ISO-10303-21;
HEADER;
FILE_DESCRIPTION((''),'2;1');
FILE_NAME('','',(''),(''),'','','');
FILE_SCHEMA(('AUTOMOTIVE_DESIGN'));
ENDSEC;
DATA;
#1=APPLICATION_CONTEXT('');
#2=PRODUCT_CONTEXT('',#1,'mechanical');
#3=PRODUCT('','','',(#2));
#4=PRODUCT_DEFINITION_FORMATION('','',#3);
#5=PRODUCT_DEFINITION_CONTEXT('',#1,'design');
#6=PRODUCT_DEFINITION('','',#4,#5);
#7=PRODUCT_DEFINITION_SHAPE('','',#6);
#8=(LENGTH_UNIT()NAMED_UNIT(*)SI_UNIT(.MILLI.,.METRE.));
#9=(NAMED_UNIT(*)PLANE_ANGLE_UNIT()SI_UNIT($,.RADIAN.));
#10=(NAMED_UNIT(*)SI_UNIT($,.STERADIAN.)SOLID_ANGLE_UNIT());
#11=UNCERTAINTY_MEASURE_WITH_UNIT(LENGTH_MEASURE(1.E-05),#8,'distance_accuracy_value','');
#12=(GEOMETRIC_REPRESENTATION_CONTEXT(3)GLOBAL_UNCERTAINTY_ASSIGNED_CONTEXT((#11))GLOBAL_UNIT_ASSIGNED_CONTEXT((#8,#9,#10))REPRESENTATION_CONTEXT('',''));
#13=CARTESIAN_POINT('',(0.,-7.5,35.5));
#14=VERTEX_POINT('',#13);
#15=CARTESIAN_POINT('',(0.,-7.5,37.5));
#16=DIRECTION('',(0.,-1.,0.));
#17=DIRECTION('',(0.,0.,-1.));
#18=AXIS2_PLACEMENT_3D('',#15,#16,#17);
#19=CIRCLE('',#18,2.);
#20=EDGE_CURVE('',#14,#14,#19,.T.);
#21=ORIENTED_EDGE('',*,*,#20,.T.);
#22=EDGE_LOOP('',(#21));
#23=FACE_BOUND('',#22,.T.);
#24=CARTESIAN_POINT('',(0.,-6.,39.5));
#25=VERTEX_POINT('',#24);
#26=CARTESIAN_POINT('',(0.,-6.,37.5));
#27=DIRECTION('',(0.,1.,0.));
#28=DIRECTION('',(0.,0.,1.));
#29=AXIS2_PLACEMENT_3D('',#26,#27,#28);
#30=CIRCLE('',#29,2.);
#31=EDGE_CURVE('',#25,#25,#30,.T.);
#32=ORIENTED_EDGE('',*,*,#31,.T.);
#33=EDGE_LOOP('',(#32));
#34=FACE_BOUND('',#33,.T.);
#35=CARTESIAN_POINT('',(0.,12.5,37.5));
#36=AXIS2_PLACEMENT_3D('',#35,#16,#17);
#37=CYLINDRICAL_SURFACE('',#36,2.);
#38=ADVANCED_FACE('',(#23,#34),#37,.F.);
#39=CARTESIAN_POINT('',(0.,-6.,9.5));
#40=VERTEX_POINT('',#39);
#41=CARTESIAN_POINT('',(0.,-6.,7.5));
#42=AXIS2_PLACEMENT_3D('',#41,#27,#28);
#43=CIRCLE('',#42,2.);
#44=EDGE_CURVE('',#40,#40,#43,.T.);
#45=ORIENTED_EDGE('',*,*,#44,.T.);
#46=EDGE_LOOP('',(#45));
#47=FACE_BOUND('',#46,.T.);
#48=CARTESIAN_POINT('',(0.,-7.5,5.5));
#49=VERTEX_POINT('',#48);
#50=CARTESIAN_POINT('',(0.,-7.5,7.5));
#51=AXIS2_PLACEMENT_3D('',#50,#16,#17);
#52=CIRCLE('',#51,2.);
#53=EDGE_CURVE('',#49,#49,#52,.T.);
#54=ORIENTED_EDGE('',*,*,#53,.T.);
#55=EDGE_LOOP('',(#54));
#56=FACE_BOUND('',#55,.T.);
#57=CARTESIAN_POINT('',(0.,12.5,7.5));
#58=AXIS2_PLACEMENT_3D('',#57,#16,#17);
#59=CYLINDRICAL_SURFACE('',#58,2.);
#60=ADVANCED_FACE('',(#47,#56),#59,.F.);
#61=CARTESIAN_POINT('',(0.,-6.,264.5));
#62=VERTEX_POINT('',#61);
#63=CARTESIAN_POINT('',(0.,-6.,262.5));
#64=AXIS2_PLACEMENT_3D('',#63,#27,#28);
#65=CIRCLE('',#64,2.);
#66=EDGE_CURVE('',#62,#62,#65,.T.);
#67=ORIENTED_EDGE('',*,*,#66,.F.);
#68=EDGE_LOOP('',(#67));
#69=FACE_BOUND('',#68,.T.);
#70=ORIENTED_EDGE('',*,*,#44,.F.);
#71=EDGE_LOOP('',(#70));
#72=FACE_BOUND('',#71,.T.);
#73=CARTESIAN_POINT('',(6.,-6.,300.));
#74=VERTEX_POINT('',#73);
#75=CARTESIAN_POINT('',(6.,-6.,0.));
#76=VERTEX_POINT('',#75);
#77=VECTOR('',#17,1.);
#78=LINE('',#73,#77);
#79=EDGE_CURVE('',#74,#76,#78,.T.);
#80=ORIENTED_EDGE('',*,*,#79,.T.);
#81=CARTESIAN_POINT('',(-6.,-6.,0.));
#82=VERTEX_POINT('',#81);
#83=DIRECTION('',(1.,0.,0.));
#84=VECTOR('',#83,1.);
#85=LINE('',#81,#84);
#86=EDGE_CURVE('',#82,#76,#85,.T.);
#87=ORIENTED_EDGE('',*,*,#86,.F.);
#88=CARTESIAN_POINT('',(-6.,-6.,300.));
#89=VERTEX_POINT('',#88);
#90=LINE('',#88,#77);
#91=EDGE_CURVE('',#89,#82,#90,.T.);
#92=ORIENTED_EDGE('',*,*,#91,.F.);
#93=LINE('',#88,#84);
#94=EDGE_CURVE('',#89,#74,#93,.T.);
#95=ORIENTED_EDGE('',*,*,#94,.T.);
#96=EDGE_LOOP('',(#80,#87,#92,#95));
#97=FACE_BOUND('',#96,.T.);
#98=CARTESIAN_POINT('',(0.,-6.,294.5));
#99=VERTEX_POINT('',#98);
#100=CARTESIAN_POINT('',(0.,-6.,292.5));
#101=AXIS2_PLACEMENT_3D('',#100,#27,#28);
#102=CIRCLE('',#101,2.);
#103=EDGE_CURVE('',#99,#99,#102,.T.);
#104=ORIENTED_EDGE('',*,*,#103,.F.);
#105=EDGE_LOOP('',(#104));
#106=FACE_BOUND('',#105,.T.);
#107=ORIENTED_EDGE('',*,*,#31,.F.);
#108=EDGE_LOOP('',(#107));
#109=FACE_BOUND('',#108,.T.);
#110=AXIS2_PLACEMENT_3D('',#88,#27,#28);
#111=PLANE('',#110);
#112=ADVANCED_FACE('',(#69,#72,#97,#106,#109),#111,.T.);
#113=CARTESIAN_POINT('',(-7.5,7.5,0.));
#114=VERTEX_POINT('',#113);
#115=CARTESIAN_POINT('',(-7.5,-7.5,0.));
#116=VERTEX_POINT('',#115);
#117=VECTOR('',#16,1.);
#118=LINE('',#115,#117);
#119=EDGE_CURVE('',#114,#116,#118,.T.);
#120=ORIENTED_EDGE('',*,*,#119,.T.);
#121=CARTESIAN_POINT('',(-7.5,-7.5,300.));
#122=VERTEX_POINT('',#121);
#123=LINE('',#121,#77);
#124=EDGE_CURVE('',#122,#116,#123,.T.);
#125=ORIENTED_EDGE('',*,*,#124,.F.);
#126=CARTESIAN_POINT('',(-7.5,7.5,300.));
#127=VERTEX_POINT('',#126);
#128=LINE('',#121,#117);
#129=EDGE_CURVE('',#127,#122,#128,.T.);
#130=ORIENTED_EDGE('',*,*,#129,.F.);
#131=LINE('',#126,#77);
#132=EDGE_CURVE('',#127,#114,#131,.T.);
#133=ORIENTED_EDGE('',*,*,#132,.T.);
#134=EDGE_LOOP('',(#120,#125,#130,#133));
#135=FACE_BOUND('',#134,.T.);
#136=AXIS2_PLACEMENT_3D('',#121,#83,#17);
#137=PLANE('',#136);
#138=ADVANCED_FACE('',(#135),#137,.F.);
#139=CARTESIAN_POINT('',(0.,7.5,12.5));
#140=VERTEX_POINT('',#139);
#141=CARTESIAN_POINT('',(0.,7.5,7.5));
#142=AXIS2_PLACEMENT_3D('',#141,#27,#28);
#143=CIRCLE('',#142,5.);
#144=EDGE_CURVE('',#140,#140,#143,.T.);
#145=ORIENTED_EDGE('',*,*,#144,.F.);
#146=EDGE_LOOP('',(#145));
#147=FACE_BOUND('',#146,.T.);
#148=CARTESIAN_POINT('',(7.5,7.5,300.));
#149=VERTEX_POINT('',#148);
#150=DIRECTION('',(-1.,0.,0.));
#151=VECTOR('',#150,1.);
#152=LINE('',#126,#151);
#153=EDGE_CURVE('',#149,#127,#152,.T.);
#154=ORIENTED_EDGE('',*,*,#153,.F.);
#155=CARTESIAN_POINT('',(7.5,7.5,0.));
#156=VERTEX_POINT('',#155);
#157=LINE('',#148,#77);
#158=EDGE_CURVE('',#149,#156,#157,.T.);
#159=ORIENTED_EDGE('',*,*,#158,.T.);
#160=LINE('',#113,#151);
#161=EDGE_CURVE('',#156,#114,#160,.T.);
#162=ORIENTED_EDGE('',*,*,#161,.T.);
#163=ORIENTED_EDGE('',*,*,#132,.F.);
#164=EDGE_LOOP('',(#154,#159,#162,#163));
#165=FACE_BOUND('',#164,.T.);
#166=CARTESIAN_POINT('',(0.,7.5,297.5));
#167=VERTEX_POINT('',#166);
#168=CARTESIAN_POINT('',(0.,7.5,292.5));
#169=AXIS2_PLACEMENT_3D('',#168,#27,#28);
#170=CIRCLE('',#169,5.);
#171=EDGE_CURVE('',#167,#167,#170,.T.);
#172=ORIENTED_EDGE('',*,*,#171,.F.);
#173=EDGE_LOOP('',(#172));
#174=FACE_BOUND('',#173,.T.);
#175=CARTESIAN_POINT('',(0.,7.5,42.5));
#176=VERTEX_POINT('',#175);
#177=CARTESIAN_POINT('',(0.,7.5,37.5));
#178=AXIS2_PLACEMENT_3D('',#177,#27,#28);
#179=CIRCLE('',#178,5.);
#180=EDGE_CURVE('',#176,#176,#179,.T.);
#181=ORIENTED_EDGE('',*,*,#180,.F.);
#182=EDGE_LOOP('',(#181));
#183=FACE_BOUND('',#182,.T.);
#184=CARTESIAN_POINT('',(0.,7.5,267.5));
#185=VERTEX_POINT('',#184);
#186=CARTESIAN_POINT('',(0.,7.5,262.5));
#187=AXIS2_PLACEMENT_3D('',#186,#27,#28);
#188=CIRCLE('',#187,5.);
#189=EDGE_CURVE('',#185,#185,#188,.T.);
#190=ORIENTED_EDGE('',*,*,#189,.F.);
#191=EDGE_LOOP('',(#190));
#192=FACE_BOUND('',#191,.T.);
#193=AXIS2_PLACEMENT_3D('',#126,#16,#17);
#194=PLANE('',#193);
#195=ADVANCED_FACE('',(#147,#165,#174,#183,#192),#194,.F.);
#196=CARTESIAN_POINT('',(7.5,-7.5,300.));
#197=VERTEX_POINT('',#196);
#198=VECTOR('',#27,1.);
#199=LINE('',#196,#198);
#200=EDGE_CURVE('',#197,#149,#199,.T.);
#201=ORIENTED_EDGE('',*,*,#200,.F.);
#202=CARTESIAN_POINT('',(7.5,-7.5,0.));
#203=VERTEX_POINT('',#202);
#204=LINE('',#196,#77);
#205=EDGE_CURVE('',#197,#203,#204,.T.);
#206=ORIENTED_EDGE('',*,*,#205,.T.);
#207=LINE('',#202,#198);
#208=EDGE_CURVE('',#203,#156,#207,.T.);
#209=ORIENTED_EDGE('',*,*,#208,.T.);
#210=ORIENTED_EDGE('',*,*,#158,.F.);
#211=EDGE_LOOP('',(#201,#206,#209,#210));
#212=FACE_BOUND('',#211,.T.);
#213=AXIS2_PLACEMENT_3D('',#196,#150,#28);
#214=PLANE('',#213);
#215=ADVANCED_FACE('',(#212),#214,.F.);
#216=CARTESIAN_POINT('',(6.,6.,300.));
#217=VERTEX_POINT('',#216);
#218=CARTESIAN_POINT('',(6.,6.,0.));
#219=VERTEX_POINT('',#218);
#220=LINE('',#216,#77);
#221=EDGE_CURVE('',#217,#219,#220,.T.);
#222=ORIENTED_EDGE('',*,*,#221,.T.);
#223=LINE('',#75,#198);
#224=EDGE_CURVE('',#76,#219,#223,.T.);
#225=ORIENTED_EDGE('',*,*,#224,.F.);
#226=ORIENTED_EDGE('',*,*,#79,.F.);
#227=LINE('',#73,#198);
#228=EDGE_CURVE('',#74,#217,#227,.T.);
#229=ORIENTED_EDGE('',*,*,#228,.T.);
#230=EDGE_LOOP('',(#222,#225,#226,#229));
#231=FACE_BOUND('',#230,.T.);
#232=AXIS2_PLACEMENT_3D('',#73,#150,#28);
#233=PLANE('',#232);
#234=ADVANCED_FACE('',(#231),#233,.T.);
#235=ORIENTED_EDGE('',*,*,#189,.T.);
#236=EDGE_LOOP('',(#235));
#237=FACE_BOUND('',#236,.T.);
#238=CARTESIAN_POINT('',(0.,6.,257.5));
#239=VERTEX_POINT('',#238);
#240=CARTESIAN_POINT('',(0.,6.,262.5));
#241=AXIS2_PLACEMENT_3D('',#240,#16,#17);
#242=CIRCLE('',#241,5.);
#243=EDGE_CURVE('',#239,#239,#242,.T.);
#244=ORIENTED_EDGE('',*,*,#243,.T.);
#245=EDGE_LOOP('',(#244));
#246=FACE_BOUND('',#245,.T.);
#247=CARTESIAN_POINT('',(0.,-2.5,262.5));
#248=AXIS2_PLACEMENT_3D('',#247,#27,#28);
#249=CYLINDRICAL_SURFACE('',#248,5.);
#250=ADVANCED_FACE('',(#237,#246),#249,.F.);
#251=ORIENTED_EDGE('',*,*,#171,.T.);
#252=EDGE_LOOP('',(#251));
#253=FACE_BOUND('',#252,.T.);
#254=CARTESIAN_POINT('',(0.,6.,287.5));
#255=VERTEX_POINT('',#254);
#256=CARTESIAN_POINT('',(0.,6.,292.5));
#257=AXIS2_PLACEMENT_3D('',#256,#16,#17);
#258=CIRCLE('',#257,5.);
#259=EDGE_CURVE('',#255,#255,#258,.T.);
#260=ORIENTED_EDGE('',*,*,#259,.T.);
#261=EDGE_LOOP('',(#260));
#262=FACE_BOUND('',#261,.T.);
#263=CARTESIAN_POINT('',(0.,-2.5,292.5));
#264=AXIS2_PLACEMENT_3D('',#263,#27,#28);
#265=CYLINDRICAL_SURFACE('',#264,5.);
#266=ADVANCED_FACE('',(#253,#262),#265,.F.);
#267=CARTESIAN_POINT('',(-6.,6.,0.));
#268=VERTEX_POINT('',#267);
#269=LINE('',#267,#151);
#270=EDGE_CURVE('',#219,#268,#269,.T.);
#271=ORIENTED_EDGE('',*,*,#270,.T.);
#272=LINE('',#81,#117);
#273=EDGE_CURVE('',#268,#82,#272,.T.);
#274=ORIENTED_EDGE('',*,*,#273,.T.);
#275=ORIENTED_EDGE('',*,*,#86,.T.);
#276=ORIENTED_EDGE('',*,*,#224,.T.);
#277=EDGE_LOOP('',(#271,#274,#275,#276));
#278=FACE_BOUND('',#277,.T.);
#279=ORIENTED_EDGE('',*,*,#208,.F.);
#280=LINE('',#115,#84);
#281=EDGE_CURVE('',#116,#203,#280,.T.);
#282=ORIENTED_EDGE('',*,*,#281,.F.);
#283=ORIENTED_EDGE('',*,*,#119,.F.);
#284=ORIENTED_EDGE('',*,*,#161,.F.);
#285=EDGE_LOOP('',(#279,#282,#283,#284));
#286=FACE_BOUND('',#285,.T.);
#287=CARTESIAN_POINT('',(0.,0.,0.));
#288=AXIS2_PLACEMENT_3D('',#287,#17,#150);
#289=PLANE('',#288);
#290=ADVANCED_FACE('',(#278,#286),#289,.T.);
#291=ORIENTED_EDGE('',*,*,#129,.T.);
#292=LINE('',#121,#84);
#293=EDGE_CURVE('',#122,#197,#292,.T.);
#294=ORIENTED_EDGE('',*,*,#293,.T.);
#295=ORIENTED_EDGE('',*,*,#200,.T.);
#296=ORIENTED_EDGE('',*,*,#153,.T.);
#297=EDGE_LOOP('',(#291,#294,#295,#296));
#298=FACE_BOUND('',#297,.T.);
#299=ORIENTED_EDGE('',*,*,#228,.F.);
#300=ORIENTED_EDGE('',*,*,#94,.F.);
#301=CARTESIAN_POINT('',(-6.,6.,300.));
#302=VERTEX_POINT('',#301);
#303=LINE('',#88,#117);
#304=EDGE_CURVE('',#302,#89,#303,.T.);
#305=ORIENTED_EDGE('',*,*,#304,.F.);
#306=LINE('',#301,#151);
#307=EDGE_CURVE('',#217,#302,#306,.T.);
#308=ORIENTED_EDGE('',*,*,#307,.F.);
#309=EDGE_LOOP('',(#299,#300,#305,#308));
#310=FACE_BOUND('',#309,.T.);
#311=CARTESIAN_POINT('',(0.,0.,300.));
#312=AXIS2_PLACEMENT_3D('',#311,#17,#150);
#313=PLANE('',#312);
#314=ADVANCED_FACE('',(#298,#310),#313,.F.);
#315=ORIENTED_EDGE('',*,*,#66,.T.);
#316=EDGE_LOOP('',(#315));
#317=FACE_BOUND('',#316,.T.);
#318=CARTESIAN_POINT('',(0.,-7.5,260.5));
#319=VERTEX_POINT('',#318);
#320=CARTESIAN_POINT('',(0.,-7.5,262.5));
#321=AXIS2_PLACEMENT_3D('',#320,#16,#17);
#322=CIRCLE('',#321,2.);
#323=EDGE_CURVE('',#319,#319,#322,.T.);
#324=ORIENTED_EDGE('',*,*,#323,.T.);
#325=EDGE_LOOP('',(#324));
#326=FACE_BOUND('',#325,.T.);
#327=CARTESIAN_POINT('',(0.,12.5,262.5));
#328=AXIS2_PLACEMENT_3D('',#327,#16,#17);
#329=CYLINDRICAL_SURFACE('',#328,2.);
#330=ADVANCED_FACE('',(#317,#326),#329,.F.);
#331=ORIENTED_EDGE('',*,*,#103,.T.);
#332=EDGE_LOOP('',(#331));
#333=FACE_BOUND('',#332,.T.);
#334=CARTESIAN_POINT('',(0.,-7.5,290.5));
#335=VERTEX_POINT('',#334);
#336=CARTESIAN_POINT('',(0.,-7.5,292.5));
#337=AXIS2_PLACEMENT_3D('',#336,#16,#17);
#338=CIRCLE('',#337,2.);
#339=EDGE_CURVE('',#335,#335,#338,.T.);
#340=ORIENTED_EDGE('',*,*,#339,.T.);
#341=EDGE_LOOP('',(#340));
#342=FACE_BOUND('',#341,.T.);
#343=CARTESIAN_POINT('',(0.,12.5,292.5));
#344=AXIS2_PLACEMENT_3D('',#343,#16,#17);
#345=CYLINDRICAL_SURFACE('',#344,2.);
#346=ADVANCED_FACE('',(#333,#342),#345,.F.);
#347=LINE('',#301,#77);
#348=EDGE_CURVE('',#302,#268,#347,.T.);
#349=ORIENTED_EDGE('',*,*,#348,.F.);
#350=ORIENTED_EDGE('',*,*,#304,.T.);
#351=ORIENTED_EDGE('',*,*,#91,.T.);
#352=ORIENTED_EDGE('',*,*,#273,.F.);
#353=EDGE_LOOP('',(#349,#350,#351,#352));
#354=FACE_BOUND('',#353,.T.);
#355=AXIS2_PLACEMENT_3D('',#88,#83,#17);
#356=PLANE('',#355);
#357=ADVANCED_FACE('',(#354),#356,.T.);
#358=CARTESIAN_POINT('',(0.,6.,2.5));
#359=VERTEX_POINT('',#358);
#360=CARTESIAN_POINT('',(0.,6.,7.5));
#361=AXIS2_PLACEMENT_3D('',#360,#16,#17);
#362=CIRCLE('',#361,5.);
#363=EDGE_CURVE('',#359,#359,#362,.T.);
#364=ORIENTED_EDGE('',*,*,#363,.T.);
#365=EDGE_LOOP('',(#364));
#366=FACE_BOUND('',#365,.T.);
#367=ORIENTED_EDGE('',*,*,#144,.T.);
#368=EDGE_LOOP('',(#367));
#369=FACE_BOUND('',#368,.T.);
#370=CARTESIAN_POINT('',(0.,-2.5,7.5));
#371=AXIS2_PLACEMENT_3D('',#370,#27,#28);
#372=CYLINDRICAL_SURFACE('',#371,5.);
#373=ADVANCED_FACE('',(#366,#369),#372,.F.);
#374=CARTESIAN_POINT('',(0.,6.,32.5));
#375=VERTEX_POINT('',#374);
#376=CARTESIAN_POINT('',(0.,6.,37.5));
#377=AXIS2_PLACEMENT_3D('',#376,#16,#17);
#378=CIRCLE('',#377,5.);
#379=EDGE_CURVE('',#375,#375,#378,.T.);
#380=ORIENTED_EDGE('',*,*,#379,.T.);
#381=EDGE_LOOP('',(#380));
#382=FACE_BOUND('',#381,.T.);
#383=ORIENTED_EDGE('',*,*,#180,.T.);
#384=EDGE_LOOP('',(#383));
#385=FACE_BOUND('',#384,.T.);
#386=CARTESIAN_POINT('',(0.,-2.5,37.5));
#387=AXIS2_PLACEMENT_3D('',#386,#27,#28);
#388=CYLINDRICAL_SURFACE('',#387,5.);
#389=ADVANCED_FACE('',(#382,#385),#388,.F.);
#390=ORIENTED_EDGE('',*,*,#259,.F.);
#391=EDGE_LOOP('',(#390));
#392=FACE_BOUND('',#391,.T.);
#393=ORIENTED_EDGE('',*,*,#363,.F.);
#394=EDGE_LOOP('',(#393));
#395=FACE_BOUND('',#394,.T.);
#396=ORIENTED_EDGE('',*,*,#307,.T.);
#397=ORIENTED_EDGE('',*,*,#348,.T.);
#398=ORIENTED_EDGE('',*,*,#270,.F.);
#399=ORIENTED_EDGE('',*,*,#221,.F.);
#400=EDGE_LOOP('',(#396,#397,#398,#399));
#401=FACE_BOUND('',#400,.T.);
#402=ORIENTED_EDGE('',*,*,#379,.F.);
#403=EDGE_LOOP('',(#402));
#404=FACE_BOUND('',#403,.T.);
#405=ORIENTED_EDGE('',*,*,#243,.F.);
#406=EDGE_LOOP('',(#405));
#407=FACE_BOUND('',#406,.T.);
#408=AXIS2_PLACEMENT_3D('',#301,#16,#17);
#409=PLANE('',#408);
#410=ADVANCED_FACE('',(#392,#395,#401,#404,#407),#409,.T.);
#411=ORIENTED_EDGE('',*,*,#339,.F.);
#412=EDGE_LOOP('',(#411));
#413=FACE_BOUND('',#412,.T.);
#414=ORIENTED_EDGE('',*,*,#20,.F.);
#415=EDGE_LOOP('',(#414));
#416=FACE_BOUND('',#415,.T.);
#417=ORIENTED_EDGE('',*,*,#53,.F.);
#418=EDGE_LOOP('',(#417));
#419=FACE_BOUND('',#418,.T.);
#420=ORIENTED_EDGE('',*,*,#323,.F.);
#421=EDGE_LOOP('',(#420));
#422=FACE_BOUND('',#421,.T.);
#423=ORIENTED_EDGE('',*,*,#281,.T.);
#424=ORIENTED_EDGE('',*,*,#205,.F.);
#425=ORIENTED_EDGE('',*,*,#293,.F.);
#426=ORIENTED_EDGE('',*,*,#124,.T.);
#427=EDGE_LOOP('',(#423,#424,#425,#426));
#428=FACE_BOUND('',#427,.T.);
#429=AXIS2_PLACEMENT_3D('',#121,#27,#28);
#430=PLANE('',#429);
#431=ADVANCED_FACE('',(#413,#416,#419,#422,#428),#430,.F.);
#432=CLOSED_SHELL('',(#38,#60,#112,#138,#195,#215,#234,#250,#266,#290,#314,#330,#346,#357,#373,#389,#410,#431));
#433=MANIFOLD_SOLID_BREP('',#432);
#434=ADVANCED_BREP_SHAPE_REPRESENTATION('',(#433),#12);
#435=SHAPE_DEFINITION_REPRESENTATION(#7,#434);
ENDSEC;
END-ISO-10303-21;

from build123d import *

# Parameters (mm, degrees)
SKETCH_1_W          = 15
SKETCH_1_H          = 15
SKETCH_1_W_2        = 12
SKETCH_1_H_2        = 12
EXTRUDE_1_DEPTH     = 300
SKETCH_5_R          = 2
CUT_EXTRUDE_4_DEPTH = 20
SKETCH_8_R          = 5
CUT_EXTRUDE_5_DEPTH = 10


with BuildPart() as part:
    # ｽｹｯﾁ1 → ﾎﾞｽ - 押し出し1 (new body)
    with BuildSketch(Plane.XY):
        Rectangle(SKETCH_1_W, SKETCH_1_H)
        Rectangle(SKETCH_1_W_2, SKETCH_1_H_2, mode=Mode.SUBTRACT)
    extrude(amount=EXTRUDE_1_DEPTH)

    # ｽｹｯﾁ5 → ｶｯﾄ - 押し出し4 (cut)
    with BuildSketch(Plane(origin=(0, -7.5, 0), x_dir=(-1, 0, 0), z_dir=(0, -1, 0))):
        with Locations((0, -37.5)):
            Circle(SKETCH_5_R)
        with Locations((0, -7.5)):
            Circle(SKETCH_5_R)
        with Locations((0, -292.5)):
            Circle(SKETCH_5_R)
        with Locations((0, -262.5)):
            Circle(SKETCH_5_R)
    extrude(amount=-CUT_EXTRUDE_4_DEPTH, mode=Mode.SUBTRACT)

    # ｽｹｯﾁ8 → ｶｯﾄ - 押し出し5 (cut)
    with BuildSketch(Plane(origin=(0, 7.5, 0), x_dir=(1, 0, 0), z_dir=(0, 1, 0))):
        with Locations((0, -292.5)):
            Circle(SKETCH_8_R)
        with Locations((0, -262.5)):
            Circle(SKETCH_8_R)
        with Locations((0, -37.5)):
            Circle(SKETCH_8_R)
        with Locations((0, -7.5)):
            Circle(SKETCH_8_R)
    extrude(amount=-CUT_EXTRUDE_5_DEPTH, mode=Mode.SUBTRACT)


solid = part.part
